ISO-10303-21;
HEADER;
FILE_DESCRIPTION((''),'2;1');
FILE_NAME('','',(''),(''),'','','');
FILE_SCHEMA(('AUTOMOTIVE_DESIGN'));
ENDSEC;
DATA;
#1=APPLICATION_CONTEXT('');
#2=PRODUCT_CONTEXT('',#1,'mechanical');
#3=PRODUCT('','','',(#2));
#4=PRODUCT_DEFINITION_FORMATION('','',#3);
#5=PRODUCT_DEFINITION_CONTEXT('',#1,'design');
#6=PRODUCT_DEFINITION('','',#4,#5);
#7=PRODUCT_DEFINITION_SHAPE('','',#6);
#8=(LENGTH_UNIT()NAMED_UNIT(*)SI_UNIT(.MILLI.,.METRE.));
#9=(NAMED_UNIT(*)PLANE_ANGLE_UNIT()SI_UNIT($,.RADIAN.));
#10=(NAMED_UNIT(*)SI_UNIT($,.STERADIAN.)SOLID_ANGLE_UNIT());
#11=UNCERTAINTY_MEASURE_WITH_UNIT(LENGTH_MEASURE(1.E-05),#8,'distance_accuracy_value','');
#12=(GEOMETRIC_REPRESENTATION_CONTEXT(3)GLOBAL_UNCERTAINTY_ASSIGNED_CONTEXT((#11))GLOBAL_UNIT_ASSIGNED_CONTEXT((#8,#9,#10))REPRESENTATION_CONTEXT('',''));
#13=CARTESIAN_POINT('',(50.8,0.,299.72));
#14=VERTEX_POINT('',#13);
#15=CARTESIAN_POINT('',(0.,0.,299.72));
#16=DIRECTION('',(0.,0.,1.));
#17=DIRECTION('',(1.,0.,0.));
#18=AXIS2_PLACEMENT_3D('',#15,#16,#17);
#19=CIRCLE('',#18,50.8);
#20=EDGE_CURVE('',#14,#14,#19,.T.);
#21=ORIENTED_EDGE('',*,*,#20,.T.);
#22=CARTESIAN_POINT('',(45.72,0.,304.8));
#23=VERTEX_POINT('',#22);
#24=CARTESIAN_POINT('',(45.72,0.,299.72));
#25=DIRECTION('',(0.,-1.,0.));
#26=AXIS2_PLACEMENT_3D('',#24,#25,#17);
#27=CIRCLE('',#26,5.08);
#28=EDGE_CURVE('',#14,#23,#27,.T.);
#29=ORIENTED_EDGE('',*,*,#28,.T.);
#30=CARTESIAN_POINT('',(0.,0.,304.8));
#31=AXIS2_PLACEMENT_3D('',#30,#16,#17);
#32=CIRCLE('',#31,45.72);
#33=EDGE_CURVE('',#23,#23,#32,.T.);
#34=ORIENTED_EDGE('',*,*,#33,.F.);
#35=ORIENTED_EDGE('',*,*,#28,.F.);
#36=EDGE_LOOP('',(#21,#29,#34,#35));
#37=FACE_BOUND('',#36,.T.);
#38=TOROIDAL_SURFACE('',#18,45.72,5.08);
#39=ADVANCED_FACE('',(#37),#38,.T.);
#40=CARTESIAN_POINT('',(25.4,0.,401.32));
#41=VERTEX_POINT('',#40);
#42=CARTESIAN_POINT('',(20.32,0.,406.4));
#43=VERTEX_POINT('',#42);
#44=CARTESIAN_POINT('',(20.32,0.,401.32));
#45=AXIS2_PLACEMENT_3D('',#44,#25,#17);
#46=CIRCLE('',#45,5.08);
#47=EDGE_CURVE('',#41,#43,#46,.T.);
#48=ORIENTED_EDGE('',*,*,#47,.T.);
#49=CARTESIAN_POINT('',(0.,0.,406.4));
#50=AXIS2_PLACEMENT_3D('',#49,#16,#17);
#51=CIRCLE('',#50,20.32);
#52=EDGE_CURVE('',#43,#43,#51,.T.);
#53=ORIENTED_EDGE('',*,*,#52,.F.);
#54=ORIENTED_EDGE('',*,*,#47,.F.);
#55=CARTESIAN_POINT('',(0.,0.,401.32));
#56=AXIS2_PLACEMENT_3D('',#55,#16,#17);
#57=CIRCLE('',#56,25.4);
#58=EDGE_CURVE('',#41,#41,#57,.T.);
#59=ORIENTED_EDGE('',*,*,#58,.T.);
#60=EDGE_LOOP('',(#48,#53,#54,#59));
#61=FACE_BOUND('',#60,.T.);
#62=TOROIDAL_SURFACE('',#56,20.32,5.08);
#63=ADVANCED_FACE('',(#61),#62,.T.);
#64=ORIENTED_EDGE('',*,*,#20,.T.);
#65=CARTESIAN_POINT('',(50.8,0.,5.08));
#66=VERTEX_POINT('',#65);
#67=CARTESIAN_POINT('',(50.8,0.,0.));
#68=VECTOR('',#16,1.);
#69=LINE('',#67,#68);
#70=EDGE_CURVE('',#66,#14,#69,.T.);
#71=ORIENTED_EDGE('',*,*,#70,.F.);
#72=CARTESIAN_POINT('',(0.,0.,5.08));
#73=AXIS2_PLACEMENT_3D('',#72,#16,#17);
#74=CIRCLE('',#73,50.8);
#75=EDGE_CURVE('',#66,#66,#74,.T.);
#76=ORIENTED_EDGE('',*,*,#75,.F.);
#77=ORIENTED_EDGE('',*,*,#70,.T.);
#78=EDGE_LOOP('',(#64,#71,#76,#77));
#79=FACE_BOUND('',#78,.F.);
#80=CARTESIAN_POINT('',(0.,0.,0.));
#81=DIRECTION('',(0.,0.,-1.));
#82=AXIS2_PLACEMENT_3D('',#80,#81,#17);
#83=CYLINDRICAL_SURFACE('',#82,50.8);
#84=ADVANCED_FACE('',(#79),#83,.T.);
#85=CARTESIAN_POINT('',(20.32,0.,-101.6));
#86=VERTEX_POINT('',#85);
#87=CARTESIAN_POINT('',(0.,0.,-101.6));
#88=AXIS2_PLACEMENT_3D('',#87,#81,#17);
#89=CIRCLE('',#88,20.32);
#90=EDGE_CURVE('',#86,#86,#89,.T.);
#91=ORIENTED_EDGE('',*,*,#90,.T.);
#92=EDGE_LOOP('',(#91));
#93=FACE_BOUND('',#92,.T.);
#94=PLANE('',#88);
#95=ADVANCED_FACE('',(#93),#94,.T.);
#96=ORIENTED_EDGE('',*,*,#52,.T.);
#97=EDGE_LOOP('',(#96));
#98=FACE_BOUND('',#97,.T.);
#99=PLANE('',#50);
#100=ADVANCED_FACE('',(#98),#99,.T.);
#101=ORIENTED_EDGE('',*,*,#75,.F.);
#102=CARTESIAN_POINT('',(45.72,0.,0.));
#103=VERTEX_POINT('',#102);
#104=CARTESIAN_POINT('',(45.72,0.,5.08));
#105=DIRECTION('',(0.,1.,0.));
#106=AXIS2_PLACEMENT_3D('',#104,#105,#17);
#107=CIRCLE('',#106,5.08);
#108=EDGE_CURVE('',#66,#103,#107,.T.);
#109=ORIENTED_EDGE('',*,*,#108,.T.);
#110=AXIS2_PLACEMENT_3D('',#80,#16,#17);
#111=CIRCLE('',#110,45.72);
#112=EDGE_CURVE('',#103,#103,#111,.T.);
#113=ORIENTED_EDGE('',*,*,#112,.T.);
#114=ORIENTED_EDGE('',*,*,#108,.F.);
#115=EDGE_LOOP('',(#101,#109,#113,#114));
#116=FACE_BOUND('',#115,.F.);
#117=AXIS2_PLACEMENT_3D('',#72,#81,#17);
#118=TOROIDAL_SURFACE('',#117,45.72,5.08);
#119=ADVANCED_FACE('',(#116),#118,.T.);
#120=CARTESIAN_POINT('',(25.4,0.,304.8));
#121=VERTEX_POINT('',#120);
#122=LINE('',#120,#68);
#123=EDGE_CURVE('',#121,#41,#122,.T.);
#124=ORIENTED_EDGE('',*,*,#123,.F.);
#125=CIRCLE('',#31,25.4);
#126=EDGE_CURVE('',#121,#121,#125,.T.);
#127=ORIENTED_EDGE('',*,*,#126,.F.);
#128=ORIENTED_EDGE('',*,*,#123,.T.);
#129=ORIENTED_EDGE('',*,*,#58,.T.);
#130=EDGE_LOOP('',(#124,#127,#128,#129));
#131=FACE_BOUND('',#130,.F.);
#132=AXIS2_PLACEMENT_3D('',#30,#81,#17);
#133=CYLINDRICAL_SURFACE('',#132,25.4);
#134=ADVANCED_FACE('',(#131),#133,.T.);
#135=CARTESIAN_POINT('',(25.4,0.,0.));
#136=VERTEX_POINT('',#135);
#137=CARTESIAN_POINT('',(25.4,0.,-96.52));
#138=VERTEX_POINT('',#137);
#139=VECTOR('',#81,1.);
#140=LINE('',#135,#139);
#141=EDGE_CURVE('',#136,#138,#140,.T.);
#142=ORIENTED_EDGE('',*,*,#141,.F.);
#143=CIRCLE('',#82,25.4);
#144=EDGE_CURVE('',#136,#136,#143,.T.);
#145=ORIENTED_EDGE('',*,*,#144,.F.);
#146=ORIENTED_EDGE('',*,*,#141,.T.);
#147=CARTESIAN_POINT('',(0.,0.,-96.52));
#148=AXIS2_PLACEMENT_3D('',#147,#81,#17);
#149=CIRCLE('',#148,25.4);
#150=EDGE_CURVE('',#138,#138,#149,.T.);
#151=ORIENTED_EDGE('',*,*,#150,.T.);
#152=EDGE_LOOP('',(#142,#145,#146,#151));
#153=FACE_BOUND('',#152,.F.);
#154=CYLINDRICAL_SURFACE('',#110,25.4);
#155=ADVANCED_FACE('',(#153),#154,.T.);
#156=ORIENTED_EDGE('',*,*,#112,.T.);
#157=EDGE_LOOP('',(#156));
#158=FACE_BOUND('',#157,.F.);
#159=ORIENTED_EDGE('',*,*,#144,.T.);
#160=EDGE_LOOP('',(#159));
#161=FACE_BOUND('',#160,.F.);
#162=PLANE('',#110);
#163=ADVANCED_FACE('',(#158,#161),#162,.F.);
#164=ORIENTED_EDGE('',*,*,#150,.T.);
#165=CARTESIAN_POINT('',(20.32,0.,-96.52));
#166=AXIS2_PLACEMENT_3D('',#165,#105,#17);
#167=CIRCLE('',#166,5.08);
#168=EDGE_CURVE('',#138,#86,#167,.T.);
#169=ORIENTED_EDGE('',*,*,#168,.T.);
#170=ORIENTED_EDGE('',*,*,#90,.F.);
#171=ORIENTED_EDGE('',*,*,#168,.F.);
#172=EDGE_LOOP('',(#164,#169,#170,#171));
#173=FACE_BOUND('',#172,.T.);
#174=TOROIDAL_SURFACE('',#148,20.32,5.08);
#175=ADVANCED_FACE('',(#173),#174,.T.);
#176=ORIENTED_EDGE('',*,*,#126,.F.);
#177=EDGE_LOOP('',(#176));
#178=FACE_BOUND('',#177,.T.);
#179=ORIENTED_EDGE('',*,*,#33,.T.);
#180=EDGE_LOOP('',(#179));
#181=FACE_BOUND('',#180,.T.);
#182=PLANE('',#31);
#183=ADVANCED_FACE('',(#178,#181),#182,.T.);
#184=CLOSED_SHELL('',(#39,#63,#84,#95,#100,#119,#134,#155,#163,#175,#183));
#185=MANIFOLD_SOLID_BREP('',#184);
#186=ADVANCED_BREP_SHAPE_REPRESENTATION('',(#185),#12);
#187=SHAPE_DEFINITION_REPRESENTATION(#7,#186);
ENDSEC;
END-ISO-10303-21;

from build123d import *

# Parameters (mm, degrees)
F0_R     = 50.8
F1_DEPTH = 304.8
F2_R     = 5.08
F3_R     = 5.08
F4_R     = 25.4
F5_DEPTH = 101.6
F6_R     = 5.08
F7_R     = 25.4
F8_DEPTH = 101.6
F9_R     = 5.08


with BuildPart() as f1:
    # F0 (on Top) → F1 (new body)
    with BuildSketch(Plane.XY):
        Circle(F0_R)
    extrude(amount=F1_DEPTH)

    # F2
    f2_edges = [f1.edges().sort_by_distance(p)[0] for p in [
        (-50.8, 0, 304.8),
    ]]
    fillet(f2_edges, radius=F2_R)

    # F3
    f3_edges = [f1.edges().sort_by_distance(p)[0] for p in [
        (-50.8, 0, 0),
    ]]
    fillet(f3_edges, radius=F3_R)

    # F4 (on face) → F5 (join)
    with BuildSketch(Plane(origin=(0, 0, 0), x_dir=(1, 0, 0), z_dir=(0, 0, -1))):
        Circle(F4_R)
    extrude(amount=F5_DEPTH)

    # F6
    f6_edges = [f1.edges().sort_by_distance(p)[0] for p in [
        (-25.4, 0, -101.6),
    ]]
    fillet(f6_edges, radius=F6_R)

    # F7 (on face) → F8 (join)
    with BuildSketch(Plane.XY.offset(304.8)):
        Circle(F7_R)
    extrude(amount=F8_DEPTH)

    # F9
    f9_edges = [f1.edges().sort_by_distance(p)[0] for p in [
        (-25.4, 0, 406.4),
    ]]
    fillet(f9_edges, radius=F9_R)


solid = f1.part
